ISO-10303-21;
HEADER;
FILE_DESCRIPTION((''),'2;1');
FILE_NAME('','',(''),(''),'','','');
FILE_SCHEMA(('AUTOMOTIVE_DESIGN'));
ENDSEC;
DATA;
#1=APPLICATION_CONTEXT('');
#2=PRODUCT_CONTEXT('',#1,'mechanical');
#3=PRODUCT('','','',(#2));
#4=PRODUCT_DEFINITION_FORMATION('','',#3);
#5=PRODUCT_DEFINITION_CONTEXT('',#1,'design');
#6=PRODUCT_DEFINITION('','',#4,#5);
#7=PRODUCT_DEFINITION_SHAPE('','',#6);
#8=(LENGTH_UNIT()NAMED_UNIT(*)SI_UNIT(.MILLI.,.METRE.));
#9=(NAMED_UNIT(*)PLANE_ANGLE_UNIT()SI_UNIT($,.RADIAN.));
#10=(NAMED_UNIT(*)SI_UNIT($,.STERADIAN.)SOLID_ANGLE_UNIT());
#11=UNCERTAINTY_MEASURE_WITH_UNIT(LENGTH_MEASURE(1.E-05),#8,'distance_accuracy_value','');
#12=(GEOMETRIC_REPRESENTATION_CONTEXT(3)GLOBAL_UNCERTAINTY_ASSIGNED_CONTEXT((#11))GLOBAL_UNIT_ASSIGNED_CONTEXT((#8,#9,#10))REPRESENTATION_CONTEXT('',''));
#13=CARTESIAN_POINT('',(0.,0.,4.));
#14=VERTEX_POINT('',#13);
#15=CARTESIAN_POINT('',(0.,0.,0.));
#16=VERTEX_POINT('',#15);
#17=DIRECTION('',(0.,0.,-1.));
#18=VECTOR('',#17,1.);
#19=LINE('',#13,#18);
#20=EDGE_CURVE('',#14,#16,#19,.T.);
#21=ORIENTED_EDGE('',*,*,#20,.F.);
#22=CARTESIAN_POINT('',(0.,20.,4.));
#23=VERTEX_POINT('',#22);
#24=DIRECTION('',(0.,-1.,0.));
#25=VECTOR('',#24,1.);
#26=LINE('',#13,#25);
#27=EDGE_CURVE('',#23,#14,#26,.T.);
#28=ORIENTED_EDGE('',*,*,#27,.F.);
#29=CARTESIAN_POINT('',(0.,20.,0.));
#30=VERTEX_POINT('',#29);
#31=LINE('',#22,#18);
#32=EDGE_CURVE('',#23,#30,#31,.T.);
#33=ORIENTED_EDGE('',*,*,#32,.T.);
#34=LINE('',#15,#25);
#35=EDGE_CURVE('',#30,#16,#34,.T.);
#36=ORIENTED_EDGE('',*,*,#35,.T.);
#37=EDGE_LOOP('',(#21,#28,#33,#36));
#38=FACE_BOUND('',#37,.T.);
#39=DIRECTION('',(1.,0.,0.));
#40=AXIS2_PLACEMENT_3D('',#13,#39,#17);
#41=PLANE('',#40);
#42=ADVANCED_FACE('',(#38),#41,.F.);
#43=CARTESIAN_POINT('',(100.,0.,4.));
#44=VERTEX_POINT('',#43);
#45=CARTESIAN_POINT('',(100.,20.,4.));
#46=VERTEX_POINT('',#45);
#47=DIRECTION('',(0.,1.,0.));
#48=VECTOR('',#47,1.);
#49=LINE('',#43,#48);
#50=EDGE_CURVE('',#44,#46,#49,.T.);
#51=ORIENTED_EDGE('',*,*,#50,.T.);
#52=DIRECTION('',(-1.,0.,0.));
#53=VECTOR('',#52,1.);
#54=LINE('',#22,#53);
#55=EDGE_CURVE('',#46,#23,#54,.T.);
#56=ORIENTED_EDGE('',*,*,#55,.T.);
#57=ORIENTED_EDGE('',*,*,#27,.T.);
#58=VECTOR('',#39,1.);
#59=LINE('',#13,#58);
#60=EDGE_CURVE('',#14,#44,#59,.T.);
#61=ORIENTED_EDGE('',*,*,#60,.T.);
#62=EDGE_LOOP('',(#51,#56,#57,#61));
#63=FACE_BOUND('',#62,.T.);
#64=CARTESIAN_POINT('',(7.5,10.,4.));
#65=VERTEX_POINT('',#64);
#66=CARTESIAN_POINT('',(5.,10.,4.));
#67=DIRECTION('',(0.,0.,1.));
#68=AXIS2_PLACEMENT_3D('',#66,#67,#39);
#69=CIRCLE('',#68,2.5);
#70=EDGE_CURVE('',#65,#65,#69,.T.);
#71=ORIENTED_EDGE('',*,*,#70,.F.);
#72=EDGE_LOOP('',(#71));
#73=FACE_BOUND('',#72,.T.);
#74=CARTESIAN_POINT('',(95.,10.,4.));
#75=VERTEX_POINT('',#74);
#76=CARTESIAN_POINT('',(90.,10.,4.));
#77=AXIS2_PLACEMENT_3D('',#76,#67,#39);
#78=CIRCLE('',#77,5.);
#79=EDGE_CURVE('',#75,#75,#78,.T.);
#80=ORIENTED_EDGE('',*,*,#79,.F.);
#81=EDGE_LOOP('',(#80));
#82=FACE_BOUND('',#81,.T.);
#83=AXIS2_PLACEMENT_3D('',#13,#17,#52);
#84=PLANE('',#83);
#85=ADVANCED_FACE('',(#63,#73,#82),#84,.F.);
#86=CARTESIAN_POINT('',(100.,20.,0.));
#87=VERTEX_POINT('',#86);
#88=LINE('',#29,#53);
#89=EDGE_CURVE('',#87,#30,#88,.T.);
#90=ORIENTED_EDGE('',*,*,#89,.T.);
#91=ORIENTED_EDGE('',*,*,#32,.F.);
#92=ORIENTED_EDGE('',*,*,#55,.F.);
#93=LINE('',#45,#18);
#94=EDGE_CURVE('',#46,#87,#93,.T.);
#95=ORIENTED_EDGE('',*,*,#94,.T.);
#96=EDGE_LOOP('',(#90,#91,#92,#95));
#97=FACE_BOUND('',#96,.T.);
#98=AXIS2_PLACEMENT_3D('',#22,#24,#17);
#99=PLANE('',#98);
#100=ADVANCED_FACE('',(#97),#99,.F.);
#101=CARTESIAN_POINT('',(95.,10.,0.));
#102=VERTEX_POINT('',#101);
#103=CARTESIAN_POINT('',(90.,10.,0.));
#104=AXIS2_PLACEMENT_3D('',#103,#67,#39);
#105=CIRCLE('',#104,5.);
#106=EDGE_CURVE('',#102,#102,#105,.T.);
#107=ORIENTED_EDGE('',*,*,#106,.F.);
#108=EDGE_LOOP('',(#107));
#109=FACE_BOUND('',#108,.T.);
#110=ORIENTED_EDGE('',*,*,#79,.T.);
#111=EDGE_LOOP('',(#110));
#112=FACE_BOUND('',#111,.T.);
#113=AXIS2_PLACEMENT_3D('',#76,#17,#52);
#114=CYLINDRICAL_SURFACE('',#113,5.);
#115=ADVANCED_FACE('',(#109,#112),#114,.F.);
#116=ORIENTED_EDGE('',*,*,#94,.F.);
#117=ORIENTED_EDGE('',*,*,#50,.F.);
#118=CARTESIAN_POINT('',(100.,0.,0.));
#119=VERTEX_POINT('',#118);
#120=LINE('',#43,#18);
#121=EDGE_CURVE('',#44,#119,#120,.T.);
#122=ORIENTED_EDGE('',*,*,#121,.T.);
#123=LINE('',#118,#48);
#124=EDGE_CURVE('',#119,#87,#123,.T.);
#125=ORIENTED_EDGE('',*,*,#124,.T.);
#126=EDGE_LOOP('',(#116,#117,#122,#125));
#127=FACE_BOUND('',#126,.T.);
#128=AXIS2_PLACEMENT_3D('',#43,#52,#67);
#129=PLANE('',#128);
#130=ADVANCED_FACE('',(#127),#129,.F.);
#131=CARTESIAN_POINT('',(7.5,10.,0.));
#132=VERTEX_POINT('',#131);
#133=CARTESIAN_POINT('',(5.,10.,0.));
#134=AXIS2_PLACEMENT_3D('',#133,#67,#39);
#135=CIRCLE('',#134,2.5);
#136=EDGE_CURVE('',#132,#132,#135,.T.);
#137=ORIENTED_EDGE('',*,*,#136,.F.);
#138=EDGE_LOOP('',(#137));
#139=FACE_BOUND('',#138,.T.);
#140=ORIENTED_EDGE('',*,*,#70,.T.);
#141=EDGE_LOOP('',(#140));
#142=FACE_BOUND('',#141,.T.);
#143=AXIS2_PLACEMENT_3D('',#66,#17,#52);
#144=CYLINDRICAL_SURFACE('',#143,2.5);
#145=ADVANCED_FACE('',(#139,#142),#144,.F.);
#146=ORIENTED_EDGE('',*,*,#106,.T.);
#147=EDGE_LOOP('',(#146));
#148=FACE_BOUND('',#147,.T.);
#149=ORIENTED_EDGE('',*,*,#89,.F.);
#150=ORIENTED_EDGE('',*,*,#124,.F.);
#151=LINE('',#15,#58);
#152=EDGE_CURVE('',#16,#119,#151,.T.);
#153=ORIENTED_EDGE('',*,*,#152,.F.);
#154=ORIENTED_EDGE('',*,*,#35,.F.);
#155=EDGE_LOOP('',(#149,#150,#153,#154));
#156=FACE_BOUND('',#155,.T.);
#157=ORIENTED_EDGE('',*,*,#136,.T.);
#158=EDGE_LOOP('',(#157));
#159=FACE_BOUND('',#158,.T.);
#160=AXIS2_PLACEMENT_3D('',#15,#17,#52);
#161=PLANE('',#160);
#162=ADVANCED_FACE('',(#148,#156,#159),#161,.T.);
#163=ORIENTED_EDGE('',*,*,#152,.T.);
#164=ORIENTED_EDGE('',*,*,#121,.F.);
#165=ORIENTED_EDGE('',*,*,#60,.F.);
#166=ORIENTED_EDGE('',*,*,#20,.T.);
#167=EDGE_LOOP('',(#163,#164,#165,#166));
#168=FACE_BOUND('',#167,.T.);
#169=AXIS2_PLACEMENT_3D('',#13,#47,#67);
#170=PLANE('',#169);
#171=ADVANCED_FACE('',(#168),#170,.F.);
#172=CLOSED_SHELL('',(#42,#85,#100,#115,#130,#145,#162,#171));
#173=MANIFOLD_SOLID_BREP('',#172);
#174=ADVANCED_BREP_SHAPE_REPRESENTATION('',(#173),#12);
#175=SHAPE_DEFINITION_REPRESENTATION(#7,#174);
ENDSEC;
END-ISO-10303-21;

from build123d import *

# Parameters (mm, degrees)
ESQUISSE1_W        = 100
ESQUISSE1_H        = 20
ESQUISSE1_R        = 2.5
ESQUISSE1_R_2      = 5
BOSS_EXTRU_1_DEPTH = 4


with BuildPart() as part:
    # Esquisse1 → Boss.-Extru.1 (new body)
    with BuildSketch(Plane.XY):
        with Locations((50, 10)):
            Rectangle(ESQUISSE1_W, ESQUISSE1_H)
        with Locations((5, 10)):
            Circle(ESQUISSE1_R, mode=Mode.SUBTRACT)
        with Locations((90, 10)):
            Circle(ESQUISSE1_R_2, mode=Mode.SUBTRACT)
    extrude(amount=BOSS_EXTRU_1_DEPTH)


solid = part.part
